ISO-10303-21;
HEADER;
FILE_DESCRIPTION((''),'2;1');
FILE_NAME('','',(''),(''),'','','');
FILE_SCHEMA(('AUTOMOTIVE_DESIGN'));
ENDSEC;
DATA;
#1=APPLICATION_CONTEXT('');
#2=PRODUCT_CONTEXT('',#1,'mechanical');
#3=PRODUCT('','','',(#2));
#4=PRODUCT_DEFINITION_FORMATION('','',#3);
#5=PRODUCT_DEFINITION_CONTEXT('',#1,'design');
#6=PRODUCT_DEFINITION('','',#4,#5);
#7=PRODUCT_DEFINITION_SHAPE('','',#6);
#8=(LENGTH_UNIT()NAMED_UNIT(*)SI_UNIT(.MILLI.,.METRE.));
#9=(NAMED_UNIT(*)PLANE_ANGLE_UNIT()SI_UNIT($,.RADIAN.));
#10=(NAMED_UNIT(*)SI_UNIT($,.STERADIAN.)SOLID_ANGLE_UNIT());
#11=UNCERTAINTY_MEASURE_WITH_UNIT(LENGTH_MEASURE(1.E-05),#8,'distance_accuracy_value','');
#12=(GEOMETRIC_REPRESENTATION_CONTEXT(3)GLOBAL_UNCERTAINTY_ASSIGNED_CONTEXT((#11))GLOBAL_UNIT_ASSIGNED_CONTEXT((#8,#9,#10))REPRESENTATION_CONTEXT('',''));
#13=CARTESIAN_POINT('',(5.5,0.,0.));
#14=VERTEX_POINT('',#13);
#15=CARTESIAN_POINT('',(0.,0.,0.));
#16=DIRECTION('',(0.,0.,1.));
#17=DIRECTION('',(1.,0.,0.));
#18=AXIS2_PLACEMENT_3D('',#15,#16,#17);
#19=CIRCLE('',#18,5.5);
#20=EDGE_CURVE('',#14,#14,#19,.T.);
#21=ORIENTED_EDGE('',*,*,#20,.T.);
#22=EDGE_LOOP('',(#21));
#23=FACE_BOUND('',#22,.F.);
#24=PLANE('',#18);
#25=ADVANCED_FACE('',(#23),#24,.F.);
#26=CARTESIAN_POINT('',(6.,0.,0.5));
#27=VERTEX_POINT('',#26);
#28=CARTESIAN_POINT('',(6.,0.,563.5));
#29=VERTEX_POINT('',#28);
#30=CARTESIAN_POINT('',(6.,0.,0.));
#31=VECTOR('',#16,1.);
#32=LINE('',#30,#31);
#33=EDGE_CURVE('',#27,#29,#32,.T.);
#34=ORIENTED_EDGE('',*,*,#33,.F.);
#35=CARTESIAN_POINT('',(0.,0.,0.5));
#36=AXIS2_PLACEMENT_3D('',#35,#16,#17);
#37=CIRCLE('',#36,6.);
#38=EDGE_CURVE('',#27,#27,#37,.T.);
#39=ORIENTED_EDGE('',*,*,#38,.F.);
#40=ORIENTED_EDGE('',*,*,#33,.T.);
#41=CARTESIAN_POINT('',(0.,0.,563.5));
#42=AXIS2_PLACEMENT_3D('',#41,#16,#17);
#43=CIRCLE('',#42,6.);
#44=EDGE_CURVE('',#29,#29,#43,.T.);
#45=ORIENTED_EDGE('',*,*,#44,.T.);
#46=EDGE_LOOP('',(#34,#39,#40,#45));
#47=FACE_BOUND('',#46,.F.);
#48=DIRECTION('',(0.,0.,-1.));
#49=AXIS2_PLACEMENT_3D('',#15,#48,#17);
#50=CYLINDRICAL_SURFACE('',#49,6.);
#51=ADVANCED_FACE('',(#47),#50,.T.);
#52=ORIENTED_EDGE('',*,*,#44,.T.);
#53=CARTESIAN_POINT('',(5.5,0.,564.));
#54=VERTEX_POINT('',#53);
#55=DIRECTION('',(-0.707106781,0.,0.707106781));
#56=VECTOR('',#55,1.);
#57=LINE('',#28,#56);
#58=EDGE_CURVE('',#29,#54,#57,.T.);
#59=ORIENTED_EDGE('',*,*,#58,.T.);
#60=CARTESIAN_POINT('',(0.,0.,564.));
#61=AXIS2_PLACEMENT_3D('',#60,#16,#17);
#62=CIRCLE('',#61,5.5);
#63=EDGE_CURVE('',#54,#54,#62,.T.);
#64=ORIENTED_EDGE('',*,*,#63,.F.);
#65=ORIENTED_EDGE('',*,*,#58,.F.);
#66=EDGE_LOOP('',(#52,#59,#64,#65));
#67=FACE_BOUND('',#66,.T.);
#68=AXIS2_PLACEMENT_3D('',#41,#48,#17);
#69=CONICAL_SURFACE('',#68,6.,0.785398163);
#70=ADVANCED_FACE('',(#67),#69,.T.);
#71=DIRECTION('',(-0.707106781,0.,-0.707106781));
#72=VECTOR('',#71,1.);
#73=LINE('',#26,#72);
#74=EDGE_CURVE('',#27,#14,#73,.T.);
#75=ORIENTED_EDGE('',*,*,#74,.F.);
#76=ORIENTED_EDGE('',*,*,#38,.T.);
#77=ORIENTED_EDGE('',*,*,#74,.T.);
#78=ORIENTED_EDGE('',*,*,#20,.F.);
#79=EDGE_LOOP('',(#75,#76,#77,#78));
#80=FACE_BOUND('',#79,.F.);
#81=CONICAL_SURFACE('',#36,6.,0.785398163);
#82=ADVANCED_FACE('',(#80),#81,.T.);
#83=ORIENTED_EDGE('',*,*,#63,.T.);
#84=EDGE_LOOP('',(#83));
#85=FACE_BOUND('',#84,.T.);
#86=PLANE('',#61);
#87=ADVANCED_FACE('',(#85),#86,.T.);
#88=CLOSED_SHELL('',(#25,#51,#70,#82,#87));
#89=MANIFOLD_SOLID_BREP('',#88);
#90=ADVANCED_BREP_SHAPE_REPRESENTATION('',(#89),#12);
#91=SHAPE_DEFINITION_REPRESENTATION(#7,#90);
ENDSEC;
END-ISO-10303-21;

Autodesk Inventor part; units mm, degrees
ref_plane "YZ Plane" through (0, 0, 0) normal (1, 0, 0) x (0, 1, 0)
ref_plane "XZ Plane" through (0, 0, 0) normal (0, 1, 0) x (-1, 0, 0)
ref_plane "XY Plane" through (0, 0, 0) normal (0, 0, 1) x (1, 0, 0)
sketch "Szkic1" plane through (0, 0, 0) normal (0, 0, 1) x (1, 0, 0)
  circle A0 centre (0, 0) radius 6
  dimension "d0" = 12
extrude "Wyciągnięcie proste1" add sketch "Szkic1" along normal blind 564
chamfer "Faza1" distance 0.5 angle 45 2 edges at (-6, 0, 564) (-6, 0, 0)
properties part number "Cartesian1_12mm_Rod" material "Stal, węglowa"
